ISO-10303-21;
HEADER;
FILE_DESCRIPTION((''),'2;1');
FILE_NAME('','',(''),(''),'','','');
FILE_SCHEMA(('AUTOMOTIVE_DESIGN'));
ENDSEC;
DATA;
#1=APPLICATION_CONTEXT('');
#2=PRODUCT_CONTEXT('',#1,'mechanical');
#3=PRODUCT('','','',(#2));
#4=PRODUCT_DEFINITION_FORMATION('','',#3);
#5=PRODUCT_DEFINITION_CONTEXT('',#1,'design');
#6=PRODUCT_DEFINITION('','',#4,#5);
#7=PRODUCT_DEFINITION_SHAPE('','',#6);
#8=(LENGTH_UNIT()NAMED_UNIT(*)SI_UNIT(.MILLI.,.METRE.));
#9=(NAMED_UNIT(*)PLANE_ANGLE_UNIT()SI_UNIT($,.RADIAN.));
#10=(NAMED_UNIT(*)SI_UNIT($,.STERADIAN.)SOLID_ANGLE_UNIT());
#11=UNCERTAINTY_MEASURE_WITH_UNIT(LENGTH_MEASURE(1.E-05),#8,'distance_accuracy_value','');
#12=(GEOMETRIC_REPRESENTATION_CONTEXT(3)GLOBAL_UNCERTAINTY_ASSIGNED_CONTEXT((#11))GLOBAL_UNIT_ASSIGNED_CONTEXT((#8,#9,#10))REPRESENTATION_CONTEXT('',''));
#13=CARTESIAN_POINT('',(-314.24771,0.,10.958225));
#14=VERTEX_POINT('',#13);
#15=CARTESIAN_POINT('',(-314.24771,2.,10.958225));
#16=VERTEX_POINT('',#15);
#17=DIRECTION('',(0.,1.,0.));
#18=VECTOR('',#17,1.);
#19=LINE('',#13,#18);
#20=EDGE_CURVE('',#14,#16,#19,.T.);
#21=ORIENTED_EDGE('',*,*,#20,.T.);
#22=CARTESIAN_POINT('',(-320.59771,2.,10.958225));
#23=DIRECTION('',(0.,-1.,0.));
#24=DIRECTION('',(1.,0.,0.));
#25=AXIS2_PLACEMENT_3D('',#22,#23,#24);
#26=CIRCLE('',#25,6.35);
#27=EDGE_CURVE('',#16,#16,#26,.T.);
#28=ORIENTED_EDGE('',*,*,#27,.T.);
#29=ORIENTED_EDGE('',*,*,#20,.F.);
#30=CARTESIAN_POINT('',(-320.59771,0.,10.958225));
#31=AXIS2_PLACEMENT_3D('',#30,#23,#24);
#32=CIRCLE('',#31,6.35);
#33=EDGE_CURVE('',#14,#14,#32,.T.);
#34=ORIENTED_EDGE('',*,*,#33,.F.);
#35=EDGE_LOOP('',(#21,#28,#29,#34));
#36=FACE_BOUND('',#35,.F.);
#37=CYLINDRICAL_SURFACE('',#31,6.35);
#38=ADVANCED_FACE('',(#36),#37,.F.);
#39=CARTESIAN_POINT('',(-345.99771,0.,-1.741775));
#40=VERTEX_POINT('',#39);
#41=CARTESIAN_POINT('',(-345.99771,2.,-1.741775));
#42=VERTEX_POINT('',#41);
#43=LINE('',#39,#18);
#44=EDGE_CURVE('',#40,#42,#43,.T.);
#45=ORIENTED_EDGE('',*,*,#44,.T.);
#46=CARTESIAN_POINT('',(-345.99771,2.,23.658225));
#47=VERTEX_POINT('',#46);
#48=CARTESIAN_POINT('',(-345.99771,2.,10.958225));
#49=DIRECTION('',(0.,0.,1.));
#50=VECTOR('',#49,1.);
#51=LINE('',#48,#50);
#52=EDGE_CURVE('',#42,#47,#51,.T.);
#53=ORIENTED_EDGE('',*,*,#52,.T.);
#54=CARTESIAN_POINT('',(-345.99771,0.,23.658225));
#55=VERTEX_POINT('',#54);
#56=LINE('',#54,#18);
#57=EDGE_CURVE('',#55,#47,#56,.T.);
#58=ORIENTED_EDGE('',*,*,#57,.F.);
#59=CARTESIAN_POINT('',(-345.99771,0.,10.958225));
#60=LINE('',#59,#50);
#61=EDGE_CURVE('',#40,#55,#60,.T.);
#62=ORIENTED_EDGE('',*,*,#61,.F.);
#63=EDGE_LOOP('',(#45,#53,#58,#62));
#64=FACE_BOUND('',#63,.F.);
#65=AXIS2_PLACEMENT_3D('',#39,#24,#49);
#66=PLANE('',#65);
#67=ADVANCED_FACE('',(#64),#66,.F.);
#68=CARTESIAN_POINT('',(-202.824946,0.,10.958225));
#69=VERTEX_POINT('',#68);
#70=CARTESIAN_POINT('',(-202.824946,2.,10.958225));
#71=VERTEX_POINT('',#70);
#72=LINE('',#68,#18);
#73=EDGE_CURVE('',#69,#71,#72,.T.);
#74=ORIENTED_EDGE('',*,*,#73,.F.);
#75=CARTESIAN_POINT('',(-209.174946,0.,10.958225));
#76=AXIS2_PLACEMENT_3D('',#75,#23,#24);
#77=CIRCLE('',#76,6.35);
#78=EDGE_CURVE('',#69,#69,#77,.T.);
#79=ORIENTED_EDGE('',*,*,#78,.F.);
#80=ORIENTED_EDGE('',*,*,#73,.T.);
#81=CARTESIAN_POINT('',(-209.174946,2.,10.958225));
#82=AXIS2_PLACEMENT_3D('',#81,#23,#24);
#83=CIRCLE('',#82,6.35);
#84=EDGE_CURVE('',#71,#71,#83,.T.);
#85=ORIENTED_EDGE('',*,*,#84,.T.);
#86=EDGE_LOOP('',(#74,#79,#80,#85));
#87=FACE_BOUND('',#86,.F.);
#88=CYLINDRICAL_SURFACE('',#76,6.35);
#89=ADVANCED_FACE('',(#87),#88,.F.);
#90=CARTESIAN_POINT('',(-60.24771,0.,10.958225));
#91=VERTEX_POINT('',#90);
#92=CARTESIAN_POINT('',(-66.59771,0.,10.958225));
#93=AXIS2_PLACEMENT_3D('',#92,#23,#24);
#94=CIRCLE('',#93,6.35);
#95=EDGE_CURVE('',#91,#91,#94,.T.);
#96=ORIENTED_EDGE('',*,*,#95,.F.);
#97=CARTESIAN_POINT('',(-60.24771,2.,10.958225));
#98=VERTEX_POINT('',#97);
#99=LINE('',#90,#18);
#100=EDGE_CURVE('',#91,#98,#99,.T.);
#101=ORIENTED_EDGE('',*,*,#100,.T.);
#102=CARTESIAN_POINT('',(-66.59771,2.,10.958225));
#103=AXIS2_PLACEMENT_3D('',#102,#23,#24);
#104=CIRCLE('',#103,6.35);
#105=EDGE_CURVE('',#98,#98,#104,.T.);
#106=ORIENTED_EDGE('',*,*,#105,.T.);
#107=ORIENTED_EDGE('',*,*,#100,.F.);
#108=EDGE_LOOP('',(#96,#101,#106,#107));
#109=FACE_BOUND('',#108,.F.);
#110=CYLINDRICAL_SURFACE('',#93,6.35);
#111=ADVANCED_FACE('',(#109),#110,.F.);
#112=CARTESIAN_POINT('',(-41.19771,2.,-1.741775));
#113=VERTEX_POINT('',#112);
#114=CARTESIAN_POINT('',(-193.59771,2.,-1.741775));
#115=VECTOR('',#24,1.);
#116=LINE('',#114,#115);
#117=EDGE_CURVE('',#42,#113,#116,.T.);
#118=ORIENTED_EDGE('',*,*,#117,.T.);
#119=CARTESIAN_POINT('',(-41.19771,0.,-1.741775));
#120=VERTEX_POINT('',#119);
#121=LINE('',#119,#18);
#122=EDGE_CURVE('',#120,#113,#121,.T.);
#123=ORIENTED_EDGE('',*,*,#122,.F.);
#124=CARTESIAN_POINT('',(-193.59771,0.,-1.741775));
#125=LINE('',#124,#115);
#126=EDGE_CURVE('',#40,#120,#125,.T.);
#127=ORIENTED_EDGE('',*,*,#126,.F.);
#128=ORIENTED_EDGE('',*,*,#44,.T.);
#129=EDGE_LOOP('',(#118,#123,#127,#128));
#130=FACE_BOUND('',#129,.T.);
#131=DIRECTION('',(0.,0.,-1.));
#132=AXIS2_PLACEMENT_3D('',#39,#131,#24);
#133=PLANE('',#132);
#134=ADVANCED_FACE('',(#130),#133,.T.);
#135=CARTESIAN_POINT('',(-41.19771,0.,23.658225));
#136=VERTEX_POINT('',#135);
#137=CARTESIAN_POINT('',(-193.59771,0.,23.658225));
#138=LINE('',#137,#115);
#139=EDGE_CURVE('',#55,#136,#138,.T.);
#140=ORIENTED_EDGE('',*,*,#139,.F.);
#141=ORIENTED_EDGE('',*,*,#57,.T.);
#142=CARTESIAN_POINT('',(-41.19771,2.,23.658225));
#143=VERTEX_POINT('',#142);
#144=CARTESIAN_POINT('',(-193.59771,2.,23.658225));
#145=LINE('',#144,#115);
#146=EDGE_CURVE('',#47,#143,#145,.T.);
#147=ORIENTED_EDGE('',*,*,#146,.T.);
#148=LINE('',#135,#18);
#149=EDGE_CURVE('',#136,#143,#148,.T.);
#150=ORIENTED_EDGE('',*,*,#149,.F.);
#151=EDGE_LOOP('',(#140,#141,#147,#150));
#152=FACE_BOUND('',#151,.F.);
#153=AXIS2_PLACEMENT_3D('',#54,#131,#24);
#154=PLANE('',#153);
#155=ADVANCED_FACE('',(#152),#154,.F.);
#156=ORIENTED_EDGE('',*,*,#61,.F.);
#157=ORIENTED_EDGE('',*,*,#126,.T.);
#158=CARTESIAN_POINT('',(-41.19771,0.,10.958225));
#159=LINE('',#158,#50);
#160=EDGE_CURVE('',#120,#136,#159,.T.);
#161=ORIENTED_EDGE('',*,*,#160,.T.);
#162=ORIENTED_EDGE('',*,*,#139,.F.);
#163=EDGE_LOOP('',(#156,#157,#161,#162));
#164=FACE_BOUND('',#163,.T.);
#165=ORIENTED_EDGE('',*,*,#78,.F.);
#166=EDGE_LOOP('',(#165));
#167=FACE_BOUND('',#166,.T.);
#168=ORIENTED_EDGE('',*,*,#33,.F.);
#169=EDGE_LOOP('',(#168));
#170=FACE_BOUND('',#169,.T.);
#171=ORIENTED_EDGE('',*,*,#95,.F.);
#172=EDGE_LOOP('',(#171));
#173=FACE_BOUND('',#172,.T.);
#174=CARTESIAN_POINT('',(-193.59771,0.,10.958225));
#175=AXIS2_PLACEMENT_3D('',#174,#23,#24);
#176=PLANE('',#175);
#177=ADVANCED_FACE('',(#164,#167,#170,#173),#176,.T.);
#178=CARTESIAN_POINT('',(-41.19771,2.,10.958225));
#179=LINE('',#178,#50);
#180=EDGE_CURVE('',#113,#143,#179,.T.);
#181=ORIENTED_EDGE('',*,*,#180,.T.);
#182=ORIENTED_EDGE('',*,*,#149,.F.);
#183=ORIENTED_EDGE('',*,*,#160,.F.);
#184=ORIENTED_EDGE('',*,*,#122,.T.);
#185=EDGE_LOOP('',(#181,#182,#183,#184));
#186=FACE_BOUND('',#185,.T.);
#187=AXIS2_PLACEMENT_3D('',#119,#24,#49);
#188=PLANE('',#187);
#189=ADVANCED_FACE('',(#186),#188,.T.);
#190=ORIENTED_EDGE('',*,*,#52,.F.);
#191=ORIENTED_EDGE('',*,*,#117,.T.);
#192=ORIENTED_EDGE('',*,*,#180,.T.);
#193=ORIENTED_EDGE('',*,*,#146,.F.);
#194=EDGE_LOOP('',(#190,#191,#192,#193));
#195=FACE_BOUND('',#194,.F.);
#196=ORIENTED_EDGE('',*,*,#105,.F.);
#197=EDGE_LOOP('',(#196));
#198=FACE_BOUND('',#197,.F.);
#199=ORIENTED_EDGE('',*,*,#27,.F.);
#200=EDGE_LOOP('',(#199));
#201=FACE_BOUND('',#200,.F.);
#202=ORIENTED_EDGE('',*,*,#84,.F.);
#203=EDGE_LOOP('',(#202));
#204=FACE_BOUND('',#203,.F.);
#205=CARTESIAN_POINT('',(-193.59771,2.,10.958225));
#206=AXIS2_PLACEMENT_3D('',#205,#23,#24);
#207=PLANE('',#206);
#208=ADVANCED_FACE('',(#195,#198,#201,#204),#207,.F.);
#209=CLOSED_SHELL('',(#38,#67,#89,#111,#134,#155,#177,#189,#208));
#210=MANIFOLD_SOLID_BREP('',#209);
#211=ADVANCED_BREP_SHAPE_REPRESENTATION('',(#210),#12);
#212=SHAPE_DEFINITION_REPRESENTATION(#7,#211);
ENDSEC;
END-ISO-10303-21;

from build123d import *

# Parameters (mm, degrees)
F0_W     = 304.8
F0_H     = 25.4
F2_DEPTH = 2
F1_R     = 6.35
F3_DEPTH = 108
F4_R     = 6.35
F5_DEPTH = 25.4


with BuildPart() as f2:
    # F0 (on Front) → F2 (new body)
    with BuildSketch(Plane.XZ):
        with Locations((-193.59771, 10.958225)):
            Rectangle(F0_W, F0_H)
    extrude(amount=-F2_DEPTH)

    # F1 (on face) → F3 (cut)
    with BuildSketch(Plane.XZ):
        with Locations((-209.174946, 10.958225)):
            Circle(F1_R)
    extrude(amount=-F3_DEPTH, mode=Mode.SUBTRACT)

    # F4 (on face) → F5 (cut)
    with BuildSketch(Plane.XZ):
        with Locations((-320.59771, 10.958225)):
            Circle(F4_R)
        with Locations((-66.59771, 10.958225)):
            Circle(F4_R)
    extrude(amount=-F5_DEPTH, mode=Mode.SUBTRACT)


solid = f2.part
